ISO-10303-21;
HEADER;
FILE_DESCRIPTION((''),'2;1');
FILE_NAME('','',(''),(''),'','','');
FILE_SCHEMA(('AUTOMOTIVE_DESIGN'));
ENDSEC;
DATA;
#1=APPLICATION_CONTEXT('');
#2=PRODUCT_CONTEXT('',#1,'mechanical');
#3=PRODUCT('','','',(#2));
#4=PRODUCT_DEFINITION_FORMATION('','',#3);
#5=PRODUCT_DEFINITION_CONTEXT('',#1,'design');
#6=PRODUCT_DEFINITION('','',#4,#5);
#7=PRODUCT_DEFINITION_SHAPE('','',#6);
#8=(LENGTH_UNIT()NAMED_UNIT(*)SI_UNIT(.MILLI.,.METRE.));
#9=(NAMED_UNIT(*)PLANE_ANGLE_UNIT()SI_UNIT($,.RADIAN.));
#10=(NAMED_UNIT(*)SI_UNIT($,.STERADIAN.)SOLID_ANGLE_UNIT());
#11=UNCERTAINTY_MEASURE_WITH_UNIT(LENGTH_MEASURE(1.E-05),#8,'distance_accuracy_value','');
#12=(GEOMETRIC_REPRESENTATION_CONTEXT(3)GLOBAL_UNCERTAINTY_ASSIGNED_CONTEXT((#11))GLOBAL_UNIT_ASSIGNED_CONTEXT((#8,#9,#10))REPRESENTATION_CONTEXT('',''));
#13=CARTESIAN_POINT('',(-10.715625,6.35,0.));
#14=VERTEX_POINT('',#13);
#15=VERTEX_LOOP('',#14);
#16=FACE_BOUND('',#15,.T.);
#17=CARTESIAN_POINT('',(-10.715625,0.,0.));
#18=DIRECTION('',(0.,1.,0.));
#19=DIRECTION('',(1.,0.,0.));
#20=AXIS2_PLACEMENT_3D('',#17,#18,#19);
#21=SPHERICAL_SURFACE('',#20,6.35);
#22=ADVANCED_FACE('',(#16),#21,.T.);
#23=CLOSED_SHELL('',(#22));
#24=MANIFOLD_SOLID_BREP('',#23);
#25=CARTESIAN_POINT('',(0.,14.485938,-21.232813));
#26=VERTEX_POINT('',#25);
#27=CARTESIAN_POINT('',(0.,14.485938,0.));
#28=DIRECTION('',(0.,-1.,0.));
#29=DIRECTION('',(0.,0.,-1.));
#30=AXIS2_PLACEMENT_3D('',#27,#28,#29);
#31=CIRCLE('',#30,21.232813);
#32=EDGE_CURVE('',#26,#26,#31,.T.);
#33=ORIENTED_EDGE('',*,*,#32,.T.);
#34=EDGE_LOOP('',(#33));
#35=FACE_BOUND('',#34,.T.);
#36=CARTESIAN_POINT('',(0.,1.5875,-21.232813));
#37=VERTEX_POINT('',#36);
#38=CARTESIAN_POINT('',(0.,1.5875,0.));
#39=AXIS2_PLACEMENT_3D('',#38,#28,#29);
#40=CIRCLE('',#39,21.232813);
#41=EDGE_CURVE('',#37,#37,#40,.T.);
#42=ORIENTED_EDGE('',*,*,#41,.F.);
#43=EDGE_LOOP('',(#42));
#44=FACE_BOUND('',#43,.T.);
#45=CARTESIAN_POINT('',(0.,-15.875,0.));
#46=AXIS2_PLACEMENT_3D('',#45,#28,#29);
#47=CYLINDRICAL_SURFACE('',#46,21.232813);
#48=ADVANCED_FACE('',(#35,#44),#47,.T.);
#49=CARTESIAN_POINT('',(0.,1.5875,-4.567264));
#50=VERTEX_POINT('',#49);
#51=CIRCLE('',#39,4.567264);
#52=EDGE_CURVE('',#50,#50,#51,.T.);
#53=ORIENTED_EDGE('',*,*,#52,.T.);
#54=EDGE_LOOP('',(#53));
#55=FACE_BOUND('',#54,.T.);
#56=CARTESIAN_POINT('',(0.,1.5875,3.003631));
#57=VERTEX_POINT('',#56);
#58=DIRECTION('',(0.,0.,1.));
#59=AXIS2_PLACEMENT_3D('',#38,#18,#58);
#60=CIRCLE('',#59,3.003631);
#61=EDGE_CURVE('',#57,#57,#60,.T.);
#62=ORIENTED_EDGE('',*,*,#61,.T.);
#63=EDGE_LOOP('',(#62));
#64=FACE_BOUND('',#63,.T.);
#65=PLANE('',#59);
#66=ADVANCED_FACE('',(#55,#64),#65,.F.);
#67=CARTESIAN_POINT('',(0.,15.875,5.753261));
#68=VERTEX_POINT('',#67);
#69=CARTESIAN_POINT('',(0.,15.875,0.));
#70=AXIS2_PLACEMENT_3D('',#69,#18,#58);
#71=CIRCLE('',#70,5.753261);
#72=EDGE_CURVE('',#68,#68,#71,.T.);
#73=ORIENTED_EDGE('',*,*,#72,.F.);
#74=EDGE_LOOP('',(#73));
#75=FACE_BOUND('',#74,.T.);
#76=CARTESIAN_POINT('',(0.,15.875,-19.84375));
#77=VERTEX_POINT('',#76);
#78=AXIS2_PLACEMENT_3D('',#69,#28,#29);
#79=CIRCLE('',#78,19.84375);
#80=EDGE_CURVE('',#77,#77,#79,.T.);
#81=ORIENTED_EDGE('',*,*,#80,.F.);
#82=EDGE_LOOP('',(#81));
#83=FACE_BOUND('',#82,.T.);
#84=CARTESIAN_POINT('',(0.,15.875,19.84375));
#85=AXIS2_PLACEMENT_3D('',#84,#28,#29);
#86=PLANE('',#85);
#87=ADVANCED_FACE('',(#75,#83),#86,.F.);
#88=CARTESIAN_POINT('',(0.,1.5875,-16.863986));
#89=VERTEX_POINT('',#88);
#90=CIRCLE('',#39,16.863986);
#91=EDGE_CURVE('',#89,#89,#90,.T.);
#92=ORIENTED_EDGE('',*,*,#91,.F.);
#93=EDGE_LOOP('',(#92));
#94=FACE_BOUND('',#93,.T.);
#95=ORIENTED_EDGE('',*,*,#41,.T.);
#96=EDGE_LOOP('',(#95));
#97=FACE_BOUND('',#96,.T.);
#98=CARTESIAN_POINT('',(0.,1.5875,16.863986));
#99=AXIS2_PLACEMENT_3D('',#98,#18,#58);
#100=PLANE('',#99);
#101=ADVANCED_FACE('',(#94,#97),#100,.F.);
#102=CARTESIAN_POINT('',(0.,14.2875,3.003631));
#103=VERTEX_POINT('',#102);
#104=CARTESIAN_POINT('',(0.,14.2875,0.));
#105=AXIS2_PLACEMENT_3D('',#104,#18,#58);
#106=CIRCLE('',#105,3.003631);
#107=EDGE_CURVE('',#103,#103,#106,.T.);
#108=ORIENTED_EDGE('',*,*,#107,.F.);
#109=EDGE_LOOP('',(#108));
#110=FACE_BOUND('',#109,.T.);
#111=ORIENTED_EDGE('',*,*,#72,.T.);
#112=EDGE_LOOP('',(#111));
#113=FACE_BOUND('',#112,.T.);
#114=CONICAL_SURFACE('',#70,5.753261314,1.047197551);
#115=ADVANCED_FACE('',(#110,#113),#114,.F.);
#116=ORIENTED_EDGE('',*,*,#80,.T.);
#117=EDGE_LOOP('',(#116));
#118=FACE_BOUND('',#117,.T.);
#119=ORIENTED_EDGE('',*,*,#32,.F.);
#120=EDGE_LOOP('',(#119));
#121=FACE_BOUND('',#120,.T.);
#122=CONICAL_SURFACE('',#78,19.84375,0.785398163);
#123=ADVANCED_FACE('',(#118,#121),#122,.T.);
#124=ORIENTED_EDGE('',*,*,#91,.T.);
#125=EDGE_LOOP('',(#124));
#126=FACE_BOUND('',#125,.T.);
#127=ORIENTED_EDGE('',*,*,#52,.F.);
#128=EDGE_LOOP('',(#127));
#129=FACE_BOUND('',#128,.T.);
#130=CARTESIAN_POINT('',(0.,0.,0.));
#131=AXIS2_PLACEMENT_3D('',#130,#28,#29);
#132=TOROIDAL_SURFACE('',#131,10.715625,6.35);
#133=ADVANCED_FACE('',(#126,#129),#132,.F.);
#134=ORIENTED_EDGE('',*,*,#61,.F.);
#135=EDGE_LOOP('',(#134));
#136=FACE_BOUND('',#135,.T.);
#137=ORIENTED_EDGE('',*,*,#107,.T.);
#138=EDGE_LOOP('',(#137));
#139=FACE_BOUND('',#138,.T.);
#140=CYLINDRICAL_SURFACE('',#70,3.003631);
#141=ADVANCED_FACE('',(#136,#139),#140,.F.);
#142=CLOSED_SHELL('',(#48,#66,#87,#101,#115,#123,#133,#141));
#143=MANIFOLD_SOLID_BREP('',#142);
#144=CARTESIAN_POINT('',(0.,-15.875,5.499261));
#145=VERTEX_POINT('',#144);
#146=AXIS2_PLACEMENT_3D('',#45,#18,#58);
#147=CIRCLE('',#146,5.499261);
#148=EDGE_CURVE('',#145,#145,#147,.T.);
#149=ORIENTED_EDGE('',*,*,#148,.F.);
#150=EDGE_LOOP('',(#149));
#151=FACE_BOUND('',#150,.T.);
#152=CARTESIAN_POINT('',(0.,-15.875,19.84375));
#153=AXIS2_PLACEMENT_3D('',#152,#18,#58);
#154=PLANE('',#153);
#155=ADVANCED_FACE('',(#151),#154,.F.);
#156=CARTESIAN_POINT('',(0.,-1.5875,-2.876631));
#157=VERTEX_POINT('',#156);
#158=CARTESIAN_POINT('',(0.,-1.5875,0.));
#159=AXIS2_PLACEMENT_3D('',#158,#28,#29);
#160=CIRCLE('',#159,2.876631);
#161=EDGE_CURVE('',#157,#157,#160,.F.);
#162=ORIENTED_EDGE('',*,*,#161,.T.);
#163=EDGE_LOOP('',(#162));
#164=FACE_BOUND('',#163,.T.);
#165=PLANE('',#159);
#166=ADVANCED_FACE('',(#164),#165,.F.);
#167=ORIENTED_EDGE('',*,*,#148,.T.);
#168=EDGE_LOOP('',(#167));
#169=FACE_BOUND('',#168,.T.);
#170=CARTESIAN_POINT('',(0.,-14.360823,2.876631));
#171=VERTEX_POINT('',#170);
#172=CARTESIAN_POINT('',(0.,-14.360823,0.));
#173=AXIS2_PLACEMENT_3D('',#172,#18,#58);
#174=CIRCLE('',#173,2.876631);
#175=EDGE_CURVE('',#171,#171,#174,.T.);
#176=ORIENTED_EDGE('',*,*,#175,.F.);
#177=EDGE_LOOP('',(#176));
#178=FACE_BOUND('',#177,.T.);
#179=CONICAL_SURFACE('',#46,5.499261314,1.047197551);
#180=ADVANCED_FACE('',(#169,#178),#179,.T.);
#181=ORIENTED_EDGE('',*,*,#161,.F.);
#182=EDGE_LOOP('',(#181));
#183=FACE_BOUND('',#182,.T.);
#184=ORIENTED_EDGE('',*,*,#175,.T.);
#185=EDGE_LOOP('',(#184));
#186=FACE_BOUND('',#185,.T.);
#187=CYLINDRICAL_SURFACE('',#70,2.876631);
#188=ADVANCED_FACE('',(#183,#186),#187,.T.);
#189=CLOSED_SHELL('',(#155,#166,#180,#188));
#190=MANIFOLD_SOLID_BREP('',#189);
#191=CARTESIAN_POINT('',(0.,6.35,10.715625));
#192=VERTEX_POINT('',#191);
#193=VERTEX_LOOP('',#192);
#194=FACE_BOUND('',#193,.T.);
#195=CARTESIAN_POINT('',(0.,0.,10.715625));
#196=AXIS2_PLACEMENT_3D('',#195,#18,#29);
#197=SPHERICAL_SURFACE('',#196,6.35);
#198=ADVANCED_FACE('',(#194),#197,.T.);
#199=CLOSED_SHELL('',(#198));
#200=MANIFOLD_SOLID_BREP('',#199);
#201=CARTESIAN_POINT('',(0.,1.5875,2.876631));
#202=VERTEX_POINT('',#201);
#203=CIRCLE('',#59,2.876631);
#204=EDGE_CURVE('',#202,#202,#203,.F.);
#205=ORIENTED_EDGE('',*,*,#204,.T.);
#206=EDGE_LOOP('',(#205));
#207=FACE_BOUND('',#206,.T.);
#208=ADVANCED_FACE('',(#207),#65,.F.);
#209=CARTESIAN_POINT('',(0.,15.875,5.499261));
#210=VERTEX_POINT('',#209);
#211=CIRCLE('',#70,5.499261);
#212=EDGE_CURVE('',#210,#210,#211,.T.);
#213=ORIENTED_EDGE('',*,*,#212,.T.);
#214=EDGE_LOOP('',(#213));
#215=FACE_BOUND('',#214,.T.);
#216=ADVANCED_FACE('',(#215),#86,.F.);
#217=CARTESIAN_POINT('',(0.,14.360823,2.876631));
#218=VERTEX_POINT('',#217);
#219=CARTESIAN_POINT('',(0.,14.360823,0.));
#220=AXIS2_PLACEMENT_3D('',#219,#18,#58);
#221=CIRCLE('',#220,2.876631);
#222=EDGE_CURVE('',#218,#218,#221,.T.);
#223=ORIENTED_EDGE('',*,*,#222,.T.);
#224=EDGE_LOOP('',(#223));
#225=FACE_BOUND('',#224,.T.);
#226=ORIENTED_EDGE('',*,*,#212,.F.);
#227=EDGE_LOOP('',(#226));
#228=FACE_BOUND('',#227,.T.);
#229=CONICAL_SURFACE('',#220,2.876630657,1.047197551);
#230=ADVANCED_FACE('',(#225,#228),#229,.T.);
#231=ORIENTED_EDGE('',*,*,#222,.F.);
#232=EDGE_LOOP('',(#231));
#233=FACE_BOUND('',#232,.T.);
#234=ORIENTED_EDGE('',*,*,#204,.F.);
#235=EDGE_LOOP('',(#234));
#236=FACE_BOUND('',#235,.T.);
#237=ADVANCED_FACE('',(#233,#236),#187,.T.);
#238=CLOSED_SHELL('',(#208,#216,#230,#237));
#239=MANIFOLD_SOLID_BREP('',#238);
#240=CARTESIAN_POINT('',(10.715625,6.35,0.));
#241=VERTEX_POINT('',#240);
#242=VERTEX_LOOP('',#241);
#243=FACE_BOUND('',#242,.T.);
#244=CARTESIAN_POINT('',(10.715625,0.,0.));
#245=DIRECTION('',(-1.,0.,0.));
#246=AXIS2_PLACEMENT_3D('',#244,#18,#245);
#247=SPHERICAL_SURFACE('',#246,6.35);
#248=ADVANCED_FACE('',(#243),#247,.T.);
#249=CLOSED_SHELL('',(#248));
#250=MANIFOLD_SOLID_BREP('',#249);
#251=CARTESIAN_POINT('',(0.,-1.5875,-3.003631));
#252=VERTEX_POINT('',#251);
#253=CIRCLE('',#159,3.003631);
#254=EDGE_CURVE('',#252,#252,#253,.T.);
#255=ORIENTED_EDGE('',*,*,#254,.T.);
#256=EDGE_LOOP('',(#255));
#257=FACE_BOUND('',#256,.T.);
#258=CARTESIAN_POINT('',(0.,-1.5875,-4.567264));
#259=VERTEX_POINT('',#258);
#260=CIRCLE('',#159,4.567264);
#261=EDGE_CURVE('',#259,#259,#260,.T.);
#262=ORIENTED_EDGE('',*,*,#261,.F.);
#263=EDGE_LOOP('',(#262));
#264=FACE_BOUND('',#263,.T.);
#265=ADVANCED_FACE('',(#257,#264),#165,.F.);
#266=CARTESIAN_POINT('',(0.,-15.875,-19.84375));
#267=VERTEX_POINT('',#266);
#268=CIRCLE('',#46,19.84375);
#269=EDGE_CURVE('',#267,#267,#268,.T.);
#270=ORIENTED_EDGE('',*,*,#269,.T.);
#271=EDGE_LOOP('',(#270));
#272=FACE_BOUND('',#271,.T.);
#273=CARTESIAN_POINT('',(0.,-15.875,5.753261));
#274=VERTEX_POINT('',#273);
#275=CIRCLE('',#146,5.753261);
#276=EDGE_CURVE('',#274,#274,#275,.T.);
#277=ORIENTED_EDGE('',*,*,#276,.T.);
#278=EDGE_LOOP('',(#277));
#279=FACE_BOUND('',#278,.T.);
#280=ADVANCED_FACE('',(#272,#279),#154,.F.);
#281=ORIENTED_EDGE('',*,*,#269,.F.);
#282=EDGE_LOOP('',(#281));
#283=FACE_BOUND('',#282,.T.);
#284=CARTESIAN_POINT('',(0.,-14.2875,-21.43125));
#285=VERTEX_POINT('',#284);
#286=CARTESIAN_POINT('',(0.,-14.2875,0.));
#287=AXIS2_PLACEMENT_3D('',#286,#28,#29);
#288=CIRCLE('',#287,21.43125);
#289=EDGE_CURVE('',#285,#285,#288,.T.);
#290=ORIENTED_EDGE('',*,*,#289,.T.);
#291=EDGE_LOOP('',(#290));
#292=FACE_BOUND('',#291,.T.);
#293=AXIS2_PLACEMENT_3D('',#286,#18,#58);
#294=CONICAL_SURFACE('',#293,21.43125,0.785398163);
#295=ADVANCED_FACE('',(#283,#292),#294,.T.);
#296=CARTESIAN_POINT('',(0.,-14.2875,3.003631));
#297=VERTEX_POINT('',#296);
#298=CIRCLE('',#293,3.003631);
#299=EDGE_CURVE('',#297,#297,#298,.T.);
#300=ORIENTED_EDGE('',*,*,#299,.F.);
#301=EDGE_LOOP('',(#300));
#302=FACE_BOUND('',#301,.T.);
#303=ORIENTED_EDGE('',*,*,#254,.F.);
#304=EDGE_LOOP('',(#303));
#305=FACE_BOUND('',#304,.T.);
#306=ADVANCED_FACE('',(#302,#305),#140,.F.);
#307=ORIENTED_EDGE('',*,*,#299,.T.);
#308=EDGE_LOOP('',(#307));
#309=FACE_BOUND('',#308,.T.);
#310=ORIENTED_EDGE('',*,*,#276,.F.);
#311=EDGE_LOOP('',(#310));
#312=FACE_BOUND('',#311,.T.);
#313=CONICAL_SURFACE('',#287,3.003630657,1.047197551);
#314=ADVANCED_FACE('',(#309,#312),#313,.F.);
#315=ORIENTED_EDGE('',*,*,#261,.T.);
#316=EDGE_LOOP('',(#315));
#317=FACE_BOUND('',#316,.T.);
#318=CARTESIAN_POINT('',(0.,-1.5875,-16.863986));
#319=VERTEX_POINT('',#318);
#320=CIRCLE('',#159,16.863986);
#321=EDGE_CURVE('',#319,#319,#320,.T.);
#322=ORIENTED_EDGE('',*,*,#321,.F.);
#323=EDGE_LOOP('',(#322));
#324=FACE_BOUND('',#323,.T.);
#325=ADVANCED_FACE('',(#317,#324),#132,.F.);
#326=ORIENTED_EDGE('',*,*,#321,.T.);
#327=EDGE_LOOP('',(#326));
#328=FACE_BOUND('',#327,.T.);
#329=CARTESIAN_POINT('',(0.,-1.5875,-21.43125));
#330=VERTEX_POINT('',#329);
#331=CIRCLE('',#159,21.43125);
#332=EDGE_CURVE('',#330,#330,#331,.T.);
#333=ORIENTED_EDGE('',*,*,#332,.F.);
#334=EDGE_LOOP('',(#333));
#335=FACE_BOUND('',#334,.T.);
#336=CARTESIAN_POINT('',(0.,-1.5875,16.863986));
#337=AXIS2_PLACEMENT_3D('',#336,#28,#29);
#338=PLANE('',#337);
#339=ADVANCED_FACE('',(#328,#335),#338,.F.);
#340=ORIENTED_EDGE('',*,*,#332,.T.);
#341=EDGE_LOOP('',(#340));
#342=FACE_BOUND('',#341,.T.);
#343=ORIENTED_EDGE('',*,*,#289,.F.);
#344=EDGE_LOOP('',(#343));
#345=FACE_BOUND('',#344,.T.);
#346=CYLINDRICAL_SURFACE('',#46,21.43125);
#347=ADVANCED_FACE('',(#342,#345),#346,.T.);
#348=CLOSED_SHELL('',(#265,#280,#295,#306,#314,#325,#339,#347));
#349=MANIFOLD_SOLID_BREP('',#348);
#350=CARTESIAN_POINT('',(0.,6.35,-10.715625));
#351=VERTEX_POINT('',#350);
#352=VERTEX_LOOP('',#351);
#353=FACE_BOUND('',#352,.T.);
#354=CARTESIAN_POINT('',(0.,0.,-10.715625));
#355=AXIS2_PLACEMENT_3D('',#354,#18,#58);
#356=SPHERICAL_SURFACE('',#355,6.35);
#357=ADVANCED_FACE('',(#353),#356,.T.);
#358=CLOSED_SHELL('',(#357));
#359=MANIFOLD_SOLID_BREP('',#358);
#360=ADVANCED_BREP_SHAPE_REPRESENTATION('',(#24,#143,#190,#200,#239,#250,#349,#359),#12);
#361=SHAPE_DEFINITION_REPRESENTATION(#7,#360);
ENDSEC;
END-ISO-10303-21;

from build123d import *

# Parameters (mm, degrees)
CIRPATTERN1_COUNT = 4
CIRPATTERN1_ANGLE = 270
SKETCH5_W         = 0.1984375
SKETCH5_H         = 14.2875


with BuildPart() as part:
    # Sketch1 → Revolve1 (revolve)
    with BuildSketch(Plane(origin=(0, 0, 0), x_dir=(0, 0, -1), z_dir=(1, 0, 0))):
        with BuildLine():
            Line((-19.84375, 15.875), (0, 15.875))
            Line((0, 15.875), (0, 1.5875))
            Line((0, 1.5875), (-4.567263938, 1.5875))
            ThreePointArc((-4.567263938, 1.5875), (-10.715625, 6.35), (-16.863986062, 1.5875))
            Line((-16.863986062, 1.5875), (-21.43125, 1.5875))
            Line((-21.43125, 1.5875), (-21.43125, 14.2875))
            Line((-21.43125, 14.2875), (-19.84375, 15.875))
        make_face()
        with BuildLine():
            Line((0, -15.875), (0, -1.5875))
            Line((0, -1.5875), (-4.567263938, -1.5875))
            ThreePointArc((-4.567263938, -1.5875), (-10.715625, -6.35), (-16.863986062, -1.5875))
            Line((-16.863986062, -1.5875), (-21.43125, -1.5875))
            Line((-21.43125, -1.5875), (-21.43125, -14.2875))
            Line((-21.43125, -14.2875), (-19.84375, -15.875))
            Line((-19.84375, -15.875), (0, -15.875))
        make_face()
    revolve(axis=Axis((0, -15.875, 0), (0, 1, 0)))

    # Sketch4 → Cut-Revolve1 (revolve, cut)
    with BuildSketch(Plane(origin=(0, 0, 0), x_dir=(0, 0, -1), z_dir=(1, 0, 0))):
        Polygon((-5.753261314, 15.875), (-3.003630657, 14.2875), (-3.003630657, -14.2875), (-5.753261314, -15.875), (-5.499261314, -15.875), (-2.876630657, -14.360823484), (-2.876630657, 14.360823484), (-5.499261314, 15.875), align=None)
    revolve(axis=Axis((0, 15.875, 0), (0, -1, 0)), mode=Mode.SUBTRACT)

    # Sketch5 → Cut-Revolve2 (revolve, cut)
    with BuildSketch(Plane(origin=(0, 0, 0), x_dir=(0, 0, -1), z_dir=(1, 0, 0))):
        with Locations((-21.33203125, 8.73125)):
            Rectangle(SKETCH5_W, SKETCH5_H)
    revolve(axis=Axis((0, -15.875, 0), (0, 1, 0)), mode=Mode.SUBTRACT)


with BuildPart() as body_2:
    # Sketch3 → Revolve2 (revolve)
    with BuildSketch(Plane(origin=(0, 0, 0), x_dir=(0, 0, -1), z_dir=(1, 0, 0))):
        with BuildLine():
            Line((-10.715625, 6.35), (-10.715625, -6.35))
            ThreePointArc((-10.715625, -6.35), (-17.065625, 0), (-10.715625, 6.35))
        make_face()
    revolve(axis=Axis((0, 6.35, 10.715625), (0, -1, 0)))


with BuildPart() as cirpattern1_1:
    # CirPattern1: pattern copy
    add(body_2.part.rotate(Axis((0, 15.875, 0), (0, -1, 0)), 1 * CIRPATTERN1_ANGLE / (CIRPATTERN1_COUNT - 1)))


with BuildPart() as cirpattern1_2:
    # CirPattern1: pattern copy
    add(body_2.part.rotate(Axis((0, 15.875, 0), (0, -1, 0)), 2 * CIRPATTERN1_ANGLE / (CIRPATTERN1_COUNT - 1)))


with BuildPart() as cirpattern1_3:
    # CirPattern1: pattern copy
    add(body_2.part.rotate(Axis((0, 15.875, 0), (0, -1, 0)), 3 * CIRPATTERN1_ANGLE / (CIRPATTERN1_COUNT - 1)))


solid = Compound([part.part, body_2.part, cirpattern1_1.part, cirpattern1_2.part, cirpattern1_3.part])
